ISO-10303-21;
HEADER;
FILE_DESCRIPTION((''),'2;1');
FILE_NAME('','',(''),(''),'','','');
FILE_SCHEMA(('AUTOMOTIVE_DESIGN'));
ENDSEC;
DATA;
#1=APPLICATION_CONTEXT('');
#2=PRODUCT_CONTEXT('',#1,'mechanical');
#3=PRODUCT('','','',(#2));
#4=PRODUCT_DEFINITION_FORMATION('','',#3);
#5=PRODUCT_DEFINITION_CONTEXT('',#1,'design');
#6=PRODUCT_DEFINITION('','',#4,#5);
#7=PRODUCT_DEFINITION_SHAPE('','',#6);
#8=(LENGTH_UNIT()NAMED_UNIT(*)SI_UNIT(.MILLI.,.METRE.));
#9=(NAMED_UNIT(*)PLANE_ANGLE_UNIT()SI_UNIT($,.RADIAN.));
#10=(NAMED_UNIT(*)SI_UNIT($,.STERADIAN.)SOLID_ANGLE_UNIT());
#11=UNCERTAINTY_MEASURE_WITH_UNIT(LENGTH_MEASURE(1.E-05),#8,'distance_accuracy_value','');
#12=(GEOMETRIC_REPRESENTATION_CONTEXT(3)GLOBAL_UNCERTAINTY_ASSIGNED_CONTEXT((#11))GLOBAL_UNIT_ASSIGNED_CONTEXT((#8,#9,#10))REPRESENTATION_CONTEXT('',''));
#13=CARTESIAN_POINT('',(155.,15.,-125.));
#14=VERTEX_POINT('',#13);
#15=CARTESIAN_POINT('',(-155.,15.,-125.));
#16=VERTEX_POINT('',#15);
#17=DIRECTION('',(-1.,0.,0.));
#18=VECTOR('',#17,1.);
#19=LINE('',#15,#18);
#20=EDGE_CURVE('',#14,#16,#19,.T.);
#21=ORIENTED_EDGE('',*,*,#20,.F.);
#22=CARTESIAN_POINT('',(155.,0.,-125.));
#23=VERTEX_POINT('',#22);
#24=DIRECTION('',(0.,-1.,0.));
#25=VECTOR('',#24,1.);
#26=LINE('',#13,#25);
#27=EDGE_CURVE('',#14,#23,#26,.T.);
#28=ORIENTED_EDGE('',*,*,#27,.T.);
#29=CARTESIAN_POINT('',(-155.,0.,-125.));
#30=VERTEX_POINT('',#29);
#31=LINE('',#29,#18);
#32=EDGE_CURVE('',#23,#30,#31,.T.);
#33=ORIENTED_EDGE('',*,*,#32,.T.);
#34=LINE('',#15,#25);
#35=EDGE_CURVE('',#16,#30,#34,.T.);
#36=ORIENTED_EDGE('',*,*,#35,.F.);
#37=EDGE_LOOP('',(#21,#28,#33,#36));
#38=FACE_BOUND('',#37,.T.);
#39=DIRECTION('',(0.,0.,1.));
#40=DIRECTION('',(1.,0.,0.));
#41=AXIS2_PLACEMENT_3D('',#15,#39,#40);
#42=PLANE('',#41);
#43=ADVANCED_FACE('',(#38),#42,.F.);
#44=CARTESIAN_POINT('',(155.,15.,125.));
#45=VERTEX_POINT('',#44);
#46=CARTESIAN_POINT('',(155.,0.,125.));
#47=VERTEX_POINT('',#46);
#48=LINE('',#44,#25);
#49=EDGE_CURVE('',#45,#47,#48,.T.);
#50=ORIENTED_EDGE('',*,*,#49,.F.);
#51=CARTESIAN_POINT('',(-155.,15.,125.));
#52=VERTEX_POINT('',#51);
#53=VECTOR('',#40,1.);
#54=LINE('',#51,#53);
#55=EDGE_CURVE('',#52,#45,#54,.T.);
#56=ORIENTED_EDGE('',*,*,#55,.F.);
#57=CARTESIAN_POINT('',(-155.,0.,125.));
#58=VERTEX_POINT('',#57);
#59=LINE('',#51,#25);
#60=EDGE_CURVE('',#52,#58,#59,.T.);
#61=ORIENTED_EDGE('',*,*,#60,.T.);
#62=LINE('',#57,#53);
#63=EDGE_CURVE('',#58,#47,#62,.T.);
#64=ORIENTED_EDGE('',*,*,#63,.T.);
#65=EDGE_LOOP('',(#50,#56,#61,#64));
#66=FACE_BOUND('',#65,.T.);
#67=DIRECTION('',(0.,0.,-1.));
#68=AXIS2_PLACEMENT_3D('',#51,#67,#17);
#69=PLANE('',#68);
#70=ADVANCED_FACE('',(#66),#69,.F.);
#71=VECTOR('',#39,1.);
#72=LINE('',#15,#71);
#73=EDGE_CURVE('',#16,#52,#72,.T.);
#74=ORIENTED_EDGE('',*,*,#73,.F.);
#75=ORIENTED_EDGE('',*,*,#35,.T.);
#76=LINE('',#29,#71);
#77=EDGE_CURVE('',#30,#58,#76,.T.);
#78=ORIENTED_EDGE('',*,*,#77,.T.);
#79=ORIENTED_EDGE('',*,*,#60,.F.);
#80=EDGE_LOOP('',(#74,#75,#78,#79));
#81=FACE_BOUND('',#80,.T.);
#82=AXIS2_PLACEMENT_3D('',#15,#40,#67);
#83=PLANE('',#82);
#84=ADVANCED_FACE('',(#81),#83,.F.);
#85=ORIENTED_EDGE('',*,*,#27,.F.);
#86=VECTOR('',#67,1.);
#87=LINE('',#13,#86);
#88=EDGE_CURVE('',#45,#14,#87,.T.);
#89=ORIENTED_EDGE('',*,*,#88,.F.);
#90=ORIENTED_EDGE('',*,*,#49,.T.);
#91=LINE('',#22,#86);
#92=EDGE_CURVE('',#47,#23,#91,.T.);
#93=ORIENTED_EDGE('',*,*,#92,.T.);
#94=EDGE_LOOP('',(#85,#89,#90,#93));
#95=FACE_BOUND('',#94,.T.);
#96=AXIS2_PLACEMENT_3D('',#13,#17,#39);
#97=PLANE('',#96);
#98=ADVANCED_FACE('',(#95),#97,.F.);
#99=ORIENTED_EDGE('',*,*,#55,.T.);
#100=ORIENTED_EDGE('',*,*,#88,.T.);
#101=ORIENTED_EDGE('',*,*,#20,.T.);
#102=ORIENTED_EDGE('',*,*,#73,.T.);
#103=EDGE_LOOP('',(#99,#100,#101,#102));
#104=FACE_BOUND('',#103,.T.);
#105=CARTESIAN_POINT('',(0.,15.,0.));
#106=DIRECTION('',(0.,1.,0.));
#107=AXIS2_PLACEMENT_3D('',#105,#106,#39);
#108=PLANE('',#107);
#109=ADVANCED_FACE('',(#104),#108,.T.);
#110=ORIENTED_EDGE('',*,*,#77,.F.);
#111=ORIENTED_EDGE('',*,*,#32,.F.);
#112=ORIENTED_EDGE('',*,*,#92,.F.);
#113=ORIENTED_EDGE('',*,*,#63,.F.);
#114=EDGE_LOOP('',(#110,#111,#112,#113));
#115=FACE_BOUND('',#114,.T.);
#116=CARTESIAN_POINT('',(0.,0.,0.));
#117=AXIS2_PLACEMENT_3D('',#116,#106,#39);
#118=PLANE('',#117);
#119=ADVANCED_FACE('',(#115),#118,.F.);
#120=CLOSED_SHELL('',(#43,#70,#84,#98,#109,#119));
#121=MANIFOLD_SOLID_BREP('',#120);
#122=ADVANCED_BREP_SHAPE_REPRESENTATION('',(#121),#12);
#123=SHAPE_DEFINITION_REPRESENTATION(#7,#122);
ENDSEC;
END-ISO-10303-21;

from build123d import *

# Parameters (mm, degrees)
ESQUISSE1_W        = 310
ESQUISSE1_H        = 250
BOSS_EXTRU_1_DEPTH = 15


with BuildPart() as part:
    # Esquisse1 → Boss.-Extru.1 (new body)
    with BuildSketch(Plane(origin=(0, 0, 0), x_dir=(1, 0, 0), z_dir=(0, 1, 0))):
        Rectangle(ESQUISSE1_W, ESQUISSE1_H)
    extrude(amount=BOSS_EXTRU_1_DEPTH)


solid = part.part
